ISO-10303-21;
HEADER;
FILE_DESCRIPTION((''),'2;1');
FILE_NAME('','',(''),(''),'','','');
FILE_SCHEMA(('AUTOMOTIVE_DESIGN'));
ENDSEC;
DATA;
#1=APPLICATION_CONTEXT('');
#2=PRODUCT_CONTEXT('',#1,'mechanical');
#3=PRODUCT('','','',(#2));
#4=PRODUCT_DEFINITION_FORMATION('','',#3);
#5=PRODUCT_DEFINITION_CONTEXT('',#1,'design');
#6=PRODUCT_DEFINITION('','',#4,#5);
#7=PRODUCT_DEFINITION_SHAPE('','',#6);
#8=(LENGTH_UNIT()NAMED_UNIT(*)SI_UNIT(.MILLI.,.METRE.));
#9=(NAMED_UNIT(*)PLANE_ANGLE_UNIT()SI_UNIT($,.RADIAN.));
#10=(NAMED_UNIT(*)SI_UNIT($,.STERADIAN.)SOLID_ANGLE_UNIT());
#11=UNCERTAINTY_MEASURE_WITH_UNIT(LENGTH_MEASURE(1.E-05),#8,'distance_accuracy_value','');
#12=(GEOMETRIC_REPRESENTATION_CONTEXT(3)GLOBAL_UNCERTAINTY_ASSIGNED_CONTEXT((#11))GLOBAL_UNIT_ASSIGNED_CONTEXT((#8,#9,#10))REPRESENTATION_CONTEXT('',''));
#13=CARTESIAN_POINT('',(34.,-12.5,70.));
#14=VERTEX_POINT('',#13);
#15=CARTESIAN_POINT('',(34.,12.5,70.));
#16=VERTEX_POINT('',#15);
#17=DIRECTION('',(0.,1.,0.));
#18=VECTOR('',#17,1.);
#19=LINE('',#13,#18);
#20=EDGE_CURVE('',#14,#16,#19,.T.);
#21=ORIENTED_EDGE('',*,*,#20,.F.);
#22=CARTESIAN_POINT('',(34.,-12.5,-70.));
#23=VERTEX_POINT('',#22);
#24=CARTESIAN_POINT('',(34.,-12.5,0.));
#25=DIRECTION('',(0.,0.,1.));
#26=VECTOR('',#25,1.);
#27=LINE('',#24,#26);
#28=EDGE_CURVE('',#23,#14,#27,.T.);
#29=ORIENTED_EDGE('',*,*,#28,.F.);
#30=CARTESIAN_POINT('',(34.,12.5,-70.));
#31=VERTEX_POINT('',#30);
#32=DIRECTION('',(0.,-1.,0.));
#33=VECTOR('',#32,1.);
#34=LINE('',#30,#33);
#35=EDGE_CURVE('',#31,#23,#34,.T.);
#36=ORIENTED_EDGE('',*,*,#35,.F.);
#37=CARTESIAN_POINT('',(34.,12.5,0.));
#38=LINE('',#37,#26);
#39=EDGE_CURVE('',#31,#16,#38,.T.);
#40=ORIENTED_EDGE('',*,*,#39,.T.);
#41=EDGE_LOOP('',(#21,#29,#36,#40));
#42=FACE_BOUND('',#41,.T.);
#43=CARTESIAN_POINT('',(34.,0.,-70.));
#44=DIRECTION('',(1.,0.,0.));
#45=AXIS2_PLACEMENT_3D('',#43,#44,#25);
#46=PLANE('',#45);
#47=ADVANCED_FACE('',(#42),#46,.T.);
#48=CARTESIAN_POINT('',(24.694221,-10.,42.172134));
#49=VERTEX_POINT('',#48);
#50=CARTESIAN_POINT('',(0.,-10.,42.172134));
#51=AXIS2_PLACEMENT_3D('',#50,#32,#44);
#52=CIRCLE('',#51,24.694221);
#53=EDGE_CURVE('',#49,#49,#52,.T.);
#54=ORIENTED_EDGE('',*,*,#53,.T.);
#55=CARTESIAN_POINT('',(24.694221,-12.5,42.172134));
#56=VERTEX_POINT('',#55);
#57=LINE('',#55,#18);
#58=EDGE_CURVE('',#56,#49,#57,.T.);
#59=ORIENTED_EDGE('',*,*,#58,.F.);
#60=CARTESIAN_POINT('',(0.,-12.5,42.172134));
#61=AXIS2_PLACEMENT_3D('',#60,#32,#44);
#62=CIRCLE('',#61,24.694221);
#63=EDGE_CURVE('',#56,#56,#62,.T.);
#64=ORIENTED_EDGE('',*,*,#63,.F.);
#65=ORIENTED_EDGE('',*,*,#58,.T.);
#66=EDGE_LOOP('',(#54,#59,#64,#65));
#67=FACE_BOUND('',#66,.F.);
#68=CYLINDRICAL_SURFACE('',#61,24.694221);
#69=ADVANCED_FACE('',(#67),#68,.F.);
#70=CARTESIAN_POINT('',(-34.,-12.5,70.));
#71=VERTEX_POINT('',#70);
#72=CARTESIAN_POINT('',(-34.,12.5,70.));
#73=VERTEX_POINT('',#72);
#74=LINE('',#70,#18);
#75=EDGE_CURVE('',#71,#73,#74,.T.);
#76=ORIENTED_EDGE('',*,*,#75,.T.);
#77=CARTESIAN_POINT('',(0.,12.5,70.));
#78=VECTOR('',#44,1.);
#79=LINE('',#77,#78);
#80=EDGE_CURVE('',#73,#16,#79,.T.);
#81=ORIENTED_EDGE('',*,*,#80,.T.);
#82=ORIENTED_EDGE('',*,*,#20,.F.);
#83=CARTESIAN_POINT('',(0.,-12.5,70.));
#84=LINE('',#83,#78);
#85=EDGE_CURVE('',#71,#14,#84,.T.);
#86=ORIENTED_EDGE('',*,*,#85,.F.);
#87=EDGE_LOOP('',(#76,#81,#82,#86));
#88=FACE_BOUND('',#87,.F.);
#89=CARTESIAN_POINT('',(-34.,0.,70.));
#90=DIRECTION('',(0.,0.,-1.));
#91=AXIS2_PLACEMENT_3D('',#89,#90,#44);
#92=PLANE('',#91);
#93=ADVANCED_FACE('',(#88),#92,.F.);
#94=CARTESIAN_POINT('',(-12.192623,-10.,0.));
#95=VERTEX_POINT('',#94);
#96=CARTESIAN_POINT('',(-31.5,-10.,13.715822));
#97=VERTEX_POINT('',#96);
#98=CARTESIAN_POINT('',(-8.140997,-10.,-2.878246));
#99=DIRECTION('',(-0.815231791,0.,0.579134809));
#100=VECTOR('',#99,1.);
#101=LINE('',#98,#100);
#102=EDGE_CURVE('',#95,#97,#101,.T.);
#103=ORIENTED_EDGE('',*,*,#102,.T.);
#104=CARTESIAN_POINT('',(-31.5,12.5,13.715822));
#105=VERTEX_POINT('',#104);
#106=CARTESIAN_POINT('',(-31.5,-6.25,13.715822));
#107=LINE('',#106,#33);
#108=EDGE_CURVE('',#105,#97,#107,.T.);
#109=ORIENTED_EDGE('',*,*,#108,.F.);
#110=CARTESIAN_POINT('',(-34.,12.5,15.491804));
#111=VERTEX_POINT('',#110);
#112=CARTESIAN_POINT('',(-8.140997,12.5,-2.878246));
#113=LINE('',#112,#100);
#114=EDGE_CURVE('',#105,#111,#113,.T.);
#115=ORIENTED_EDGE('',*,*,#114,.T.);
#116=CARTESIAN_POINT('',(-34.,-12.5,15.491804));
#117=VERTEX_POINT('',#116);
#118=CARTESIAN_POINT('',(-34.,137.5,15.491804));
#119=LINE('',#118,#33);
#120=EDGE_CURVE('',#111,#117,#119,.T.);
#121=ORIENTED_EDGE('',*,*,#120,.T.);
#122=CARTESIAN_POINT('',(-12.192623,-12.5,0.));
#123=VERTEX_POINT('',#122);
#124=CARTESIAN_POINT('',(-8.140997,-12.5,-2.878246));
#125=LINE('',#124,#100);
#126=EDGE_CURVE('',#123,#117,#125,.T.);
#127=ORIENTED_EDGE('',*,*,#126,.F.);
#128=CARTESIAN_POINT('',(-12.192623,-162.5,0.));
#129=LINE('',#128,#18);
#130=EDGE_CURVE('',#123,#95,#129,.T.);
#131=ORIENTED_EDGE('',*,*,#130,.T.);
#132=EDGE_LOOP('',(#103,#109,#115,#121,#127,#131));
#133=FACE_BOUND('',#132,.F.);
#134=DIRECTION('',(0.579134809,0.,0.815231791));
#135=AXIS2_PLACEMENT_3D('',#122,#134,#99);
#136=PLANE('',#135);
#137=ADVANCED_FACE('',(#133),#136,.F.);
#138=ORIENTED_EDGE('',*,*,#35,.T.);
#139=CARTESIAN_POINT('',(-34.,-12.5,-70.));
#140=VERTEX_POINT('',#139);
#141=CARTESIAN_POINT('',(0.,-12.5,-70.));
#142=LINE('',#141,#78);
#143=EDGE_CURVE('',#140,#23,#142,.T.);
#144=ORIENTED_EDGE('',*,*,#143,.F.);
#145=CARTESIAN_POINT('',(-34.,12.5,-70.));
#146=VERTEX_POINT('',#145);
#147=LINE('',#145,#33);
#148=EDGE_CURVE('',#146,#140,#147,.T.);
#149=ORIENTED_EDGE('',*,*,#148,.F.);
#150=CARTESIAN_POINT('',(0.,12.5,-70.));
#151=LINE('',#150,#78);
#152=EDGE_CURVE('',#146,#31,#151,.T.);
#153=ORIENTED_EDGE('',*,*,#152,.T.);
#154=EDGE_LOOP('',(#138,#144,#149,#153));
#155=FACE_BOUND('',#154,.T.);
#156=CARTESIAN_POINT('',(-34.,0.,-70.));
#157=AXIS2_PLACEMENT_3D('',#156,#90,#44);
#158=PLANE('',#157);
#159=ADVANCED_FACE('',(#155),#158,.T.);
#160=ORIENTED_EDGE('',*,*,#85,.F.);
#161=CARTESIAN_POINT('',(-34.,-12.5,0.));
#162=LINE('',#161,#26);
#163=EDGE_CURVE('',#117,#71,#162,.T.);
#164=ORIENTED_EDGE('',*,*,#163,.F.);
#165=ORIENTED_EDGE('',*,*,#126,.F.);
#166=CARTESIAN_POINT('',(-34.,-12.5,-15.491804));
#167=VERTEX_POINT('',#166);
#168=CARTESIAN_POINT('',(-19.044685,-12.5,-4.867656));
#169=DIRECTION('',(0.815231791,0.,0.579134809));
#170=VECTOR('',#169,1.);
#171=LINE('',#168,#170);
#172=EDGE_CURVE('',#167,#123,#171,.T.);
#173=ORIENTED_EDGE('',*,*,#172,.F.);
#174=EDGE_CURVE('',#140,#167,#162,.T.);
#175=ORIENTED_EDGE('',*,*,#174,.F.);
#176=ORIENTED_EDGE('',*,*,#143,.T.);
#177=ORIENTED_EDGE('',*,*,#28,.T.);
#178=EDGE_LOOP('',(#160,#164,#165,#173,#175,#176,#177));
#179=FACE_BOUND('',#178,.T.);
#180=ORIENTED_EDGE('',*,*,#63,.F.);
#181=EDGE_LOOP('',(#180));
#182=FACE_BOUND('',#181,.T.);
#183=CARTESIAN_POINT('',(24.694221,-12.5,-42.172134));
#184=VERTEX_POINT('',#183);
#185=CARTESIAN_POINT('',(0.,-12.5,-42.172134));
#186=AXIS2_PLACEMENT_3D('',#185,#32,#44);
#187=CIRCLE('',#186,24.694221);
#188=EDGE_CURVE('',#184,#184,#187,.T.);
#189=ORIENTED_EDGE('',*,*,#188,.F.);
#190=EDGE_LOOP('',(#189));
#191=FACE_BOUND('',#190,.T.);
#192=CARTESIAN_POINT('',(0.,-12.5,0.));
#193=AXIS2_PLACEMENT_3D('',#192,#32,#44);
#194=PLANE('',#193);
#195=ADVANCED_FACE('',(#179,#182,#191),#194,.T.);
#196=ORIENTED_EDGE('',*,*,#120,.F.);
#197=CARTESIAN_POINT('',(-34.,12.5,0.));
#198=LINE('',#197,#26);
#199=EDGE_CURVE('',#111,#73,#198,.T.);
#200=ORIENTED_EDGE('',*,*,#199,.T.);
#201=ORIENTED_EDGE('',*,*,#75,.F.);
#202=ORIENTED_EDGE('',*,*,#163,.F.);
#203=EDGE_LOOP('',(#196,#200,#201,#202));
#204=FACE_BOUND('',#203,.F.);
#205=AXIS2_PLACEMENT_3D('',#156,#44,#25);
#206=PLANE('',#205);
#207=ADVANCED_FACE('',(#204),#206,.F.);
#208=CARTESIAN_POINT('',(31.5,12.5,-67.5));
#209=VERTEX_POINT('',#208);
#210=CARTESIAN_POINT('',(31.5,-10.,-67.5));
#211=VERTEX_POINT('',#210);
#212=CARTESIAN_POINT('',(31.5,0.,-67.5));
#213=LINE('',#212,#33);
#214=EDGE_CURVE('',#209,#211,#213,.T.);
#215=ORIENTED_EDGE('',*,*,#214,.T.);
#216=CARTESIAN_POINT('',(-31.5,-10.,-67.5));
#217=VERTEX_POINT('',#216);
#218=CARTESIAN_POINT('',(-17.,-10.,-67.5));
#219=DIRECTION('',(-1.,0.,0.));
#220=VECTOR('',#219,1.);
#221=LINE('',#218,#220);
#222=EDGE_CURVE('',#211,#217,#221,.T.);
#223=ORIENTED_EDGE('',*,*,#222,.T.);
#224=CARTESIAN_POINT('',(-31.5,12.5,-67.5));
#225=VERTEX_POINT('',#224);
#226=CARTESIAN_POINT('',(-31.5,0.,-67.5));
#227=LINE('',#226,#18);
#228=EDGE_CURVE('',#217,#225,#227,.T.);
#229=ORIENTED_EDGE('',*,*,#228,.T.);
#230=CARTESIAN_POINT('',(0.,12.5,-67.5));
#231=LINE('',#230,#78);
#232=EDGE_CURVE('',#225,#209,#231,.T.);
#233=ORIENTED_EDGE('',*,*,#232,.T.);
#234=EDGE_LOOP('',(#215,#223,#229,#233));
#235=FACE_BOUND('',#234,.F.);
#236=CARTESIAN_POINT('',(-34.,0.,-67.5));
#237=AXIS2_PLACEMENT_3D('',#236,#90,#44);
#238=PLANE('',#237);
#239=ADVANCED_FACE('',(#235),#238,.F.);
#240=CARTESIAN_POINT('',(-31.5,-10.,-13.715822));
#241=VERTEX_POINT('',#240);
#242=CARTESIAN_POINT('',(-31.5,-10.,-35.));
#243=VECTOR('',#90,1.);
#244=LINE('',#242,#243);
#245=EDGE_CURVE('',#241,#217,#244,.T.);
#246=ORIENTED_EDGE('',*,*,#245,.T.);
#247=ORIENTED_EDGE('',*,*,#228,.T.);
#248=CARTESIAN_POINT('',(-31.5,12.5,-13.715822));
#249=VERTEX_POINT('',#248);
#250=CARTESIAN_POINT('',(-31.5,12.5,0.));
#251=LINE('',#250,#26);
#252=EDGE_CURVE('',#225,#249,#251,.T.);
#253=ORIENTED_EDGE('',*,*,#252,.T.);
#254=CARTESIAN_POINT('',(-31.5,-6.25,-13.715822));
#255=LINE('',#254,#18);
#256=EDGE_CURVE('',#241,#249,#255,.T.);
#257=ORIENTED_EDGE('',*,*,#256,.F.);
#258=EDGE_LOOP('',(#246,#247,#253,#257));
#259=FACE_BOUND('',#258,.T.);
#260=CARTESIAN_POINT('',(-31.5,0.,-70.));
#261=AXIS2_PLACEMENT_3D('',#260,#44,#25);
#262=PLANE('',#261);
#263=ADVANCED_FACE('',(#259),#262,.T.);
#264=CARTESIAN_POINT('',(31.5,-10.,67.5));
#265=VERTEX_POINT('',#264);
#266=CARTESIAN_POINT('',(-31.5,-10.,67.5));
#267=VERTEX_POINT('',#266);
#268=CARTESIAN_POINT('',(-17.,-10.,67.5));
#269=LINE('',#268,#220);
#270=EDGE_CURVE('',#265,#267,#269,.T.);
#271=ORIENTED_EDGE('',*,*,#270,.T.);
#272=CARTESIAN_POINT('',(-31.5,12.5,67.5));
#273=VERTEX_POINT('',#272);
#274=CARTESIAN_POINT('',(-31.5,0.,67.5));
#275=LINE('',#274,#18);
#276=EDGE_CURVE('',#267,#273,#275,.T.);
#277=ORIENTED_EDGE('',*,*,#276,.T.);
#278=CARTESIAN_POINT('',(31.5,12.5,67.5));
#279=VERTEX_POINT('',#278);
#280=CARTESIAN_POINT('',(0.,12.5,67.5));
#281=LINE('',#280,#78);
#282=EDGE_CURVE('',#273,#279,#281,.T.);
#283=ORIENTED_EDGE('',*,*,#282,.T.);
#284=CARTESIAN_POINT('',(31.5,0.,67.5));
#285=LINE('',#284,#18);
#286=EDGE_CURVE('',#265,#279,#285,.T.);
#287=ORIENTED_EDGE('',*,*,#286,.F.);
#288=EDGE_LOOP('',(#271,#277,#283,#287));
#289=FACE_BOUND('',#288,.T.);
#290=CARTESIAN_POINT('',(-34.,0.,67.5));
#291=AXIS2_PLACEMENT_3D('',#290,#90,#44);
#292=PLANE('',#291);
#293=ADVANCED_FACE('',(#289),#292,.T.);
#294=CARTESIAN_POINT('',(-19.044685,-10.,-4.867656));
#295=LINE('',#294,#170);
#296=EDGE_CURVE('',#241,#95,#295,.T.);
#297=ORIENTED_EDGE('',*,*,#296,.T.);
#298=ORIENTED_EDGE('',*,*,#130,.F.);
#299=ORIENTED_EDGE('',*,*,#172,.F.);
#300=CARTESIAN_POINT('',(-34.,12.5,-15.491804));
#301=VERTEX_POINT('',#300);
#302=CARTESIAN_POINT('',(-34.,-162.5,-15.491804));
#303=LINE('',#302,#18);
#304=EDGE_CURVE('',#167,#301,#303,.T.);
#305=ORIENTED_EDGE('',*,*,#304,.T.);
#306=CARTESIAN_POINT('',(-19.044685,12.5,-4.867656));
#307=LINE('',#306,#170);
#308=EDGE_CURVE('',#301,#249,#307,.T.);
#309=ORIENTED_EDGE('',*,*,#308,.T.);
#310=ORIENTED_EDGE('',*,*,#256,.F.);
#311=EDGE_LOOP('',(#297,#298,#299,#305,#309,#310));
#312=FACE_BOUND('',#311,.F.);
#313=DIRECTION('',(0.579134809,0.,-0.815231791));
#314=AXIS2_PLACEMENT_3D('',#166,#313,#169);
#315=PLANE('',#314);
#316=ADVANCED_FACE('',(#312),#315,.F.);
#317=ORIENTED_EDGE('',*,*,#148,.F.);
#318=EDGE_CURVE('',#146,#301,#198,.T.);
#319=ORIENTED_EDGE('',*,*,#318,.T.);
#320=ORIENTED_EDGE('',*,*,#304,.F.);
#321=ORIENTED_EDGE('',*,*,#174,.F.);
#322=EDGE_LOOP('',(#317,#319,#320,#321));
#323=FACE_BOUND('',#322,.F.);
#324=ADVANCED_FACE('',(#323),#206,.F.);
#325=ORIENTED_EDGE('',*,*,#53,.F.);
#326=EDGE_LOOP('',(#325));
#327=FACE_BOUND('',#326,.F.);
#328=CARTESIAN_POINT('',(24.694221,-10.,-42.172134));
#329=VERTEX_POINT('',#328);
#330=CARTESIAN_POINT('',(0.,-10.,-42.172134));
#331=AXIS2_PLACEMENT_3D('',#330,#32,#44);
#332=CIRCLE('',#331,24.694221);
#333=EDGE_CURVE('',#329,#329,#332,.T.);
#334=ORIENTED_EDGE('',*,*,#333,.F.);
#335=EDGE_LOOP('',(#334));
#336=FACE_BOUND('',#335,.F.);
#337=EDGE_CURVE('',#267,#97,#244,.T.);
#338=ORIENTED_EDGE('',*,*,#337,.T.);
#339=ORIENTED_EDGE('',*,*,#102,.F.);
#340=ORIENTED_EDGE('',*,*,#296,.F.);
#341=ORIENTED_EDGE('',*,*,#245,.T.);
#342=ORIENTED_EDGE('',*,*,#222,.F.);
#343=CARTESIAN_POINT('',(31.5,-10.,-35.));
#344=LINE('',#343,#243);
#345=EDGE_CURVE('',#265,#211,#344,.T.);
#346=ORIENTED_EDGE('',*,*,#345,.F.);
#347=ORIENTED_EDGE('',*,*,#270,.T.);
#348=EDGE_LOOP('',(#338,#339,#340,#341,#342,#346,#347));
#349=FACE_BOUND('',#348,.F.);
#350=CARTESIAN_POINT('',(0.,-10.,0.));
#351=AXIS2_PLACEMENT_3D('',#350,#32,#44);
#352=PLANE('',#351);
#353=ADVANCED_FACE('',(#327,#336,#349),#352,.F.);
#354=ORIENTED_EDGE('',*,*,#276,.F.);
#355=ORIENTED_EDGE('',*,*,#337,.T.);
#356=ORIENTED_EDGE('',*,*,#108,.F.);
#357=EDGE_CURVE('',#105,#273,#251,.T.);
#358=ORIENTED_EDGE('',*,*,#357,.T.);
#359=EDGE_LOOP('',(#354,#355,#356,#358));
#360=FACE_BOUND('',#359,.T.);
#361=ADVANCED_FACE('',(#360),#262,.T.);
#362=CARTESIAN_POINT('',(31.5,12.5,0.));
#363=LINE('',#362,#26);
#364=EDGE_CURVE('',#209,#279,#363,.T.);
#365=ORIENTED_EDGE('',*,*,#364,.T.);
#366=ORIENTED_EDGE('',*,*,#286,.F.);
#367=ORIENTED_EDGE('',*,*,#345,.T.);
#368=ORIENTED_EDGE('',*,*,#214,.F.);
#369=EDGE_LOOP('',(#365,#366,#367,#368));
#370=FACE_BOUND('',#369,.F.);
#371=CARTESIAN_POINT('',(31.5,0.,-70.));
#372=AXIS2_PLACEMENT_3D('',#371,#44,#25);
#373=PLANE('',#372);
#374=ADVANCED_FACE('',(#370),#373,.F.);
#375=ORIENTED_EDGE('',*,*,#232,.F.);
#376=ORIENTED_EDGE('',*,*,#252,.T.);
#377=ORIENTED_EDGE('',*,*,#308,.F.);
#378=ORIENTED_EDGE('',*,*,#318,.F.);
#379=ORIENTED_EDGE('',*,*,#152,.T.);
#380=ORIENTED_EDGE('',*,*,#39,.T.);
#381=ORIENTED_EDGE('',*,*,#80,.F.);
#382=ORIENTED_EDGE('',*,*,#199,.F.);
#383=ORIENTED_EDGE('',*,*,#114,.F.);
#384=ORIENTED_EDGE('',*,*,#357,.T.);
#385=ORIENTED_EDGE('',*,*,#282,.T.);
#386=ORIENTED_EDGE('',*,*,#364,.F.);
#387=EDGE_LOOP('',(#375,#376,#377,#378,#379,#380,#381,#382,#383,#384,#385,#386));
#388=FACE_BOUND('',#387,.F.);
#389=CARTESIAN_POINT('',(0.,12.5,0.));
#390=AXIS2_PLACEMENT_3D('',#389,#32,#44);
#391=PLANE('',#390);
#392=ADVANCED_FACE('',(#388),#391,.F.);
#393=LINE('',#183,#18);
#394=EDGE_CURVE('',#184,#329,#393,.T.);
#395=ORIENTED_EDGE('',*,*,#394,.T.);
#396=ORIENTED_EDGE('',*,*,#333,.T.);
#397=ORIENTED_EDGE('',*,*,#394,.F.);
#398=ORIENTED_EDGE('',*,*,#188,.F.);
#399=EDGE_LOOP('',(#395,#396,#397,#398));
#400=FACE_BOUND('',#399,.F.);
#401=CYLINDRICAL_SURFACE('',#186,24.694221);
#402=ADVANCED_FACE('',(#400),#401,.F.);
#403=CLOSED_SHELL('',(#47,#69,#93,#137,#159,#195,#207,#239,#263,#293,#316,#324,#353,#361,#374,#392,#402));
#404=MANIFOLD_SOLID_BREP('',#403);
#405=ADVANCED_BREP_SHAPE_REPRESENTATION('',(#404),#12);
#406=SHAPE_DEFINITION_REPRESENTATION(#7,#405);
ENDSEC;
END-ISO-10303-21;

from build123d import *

# Parameters (mm, degrees)
F0_W     = 68
F0_H     = 140
F1_DEPTH = 12.5
F2_T     = -2.5
F3_R     = 24.694221
F4_DEPTH = 150


with BuildPart() as f1:
    # F0 (on Front) → F1 (new body, symmetric)
    with BuildSketch(Plane.XZ):
        Rectangle(F0_W, F0_H)
    extrude(amount=F1_DEPTH, both=True)

    # F2
    f2_openings = [f1.faces().sort_by_distance(p)[0] for p in [
        (0, 12.5, 0),
    ]]
    offset(amount=F2_T, openings=f2_openings)

    # F3 (on face) → F4 (cut, symmetric)
    with BuildSketch(Plane.XZ.offset(12.5)):
        with Locations((0, 42.172134)):
            Circle(F3_R)
        with Locations((0, -42.172134)):
            Circle(F3_R)
        Polygon((-12.192623, 0), (-34, 15.491804), (-34, -15.491804), align=None)
    extrude(amount=F4_DEPTH, both=True, mode=Mode.SUBTRACT)


solid = f1.part
